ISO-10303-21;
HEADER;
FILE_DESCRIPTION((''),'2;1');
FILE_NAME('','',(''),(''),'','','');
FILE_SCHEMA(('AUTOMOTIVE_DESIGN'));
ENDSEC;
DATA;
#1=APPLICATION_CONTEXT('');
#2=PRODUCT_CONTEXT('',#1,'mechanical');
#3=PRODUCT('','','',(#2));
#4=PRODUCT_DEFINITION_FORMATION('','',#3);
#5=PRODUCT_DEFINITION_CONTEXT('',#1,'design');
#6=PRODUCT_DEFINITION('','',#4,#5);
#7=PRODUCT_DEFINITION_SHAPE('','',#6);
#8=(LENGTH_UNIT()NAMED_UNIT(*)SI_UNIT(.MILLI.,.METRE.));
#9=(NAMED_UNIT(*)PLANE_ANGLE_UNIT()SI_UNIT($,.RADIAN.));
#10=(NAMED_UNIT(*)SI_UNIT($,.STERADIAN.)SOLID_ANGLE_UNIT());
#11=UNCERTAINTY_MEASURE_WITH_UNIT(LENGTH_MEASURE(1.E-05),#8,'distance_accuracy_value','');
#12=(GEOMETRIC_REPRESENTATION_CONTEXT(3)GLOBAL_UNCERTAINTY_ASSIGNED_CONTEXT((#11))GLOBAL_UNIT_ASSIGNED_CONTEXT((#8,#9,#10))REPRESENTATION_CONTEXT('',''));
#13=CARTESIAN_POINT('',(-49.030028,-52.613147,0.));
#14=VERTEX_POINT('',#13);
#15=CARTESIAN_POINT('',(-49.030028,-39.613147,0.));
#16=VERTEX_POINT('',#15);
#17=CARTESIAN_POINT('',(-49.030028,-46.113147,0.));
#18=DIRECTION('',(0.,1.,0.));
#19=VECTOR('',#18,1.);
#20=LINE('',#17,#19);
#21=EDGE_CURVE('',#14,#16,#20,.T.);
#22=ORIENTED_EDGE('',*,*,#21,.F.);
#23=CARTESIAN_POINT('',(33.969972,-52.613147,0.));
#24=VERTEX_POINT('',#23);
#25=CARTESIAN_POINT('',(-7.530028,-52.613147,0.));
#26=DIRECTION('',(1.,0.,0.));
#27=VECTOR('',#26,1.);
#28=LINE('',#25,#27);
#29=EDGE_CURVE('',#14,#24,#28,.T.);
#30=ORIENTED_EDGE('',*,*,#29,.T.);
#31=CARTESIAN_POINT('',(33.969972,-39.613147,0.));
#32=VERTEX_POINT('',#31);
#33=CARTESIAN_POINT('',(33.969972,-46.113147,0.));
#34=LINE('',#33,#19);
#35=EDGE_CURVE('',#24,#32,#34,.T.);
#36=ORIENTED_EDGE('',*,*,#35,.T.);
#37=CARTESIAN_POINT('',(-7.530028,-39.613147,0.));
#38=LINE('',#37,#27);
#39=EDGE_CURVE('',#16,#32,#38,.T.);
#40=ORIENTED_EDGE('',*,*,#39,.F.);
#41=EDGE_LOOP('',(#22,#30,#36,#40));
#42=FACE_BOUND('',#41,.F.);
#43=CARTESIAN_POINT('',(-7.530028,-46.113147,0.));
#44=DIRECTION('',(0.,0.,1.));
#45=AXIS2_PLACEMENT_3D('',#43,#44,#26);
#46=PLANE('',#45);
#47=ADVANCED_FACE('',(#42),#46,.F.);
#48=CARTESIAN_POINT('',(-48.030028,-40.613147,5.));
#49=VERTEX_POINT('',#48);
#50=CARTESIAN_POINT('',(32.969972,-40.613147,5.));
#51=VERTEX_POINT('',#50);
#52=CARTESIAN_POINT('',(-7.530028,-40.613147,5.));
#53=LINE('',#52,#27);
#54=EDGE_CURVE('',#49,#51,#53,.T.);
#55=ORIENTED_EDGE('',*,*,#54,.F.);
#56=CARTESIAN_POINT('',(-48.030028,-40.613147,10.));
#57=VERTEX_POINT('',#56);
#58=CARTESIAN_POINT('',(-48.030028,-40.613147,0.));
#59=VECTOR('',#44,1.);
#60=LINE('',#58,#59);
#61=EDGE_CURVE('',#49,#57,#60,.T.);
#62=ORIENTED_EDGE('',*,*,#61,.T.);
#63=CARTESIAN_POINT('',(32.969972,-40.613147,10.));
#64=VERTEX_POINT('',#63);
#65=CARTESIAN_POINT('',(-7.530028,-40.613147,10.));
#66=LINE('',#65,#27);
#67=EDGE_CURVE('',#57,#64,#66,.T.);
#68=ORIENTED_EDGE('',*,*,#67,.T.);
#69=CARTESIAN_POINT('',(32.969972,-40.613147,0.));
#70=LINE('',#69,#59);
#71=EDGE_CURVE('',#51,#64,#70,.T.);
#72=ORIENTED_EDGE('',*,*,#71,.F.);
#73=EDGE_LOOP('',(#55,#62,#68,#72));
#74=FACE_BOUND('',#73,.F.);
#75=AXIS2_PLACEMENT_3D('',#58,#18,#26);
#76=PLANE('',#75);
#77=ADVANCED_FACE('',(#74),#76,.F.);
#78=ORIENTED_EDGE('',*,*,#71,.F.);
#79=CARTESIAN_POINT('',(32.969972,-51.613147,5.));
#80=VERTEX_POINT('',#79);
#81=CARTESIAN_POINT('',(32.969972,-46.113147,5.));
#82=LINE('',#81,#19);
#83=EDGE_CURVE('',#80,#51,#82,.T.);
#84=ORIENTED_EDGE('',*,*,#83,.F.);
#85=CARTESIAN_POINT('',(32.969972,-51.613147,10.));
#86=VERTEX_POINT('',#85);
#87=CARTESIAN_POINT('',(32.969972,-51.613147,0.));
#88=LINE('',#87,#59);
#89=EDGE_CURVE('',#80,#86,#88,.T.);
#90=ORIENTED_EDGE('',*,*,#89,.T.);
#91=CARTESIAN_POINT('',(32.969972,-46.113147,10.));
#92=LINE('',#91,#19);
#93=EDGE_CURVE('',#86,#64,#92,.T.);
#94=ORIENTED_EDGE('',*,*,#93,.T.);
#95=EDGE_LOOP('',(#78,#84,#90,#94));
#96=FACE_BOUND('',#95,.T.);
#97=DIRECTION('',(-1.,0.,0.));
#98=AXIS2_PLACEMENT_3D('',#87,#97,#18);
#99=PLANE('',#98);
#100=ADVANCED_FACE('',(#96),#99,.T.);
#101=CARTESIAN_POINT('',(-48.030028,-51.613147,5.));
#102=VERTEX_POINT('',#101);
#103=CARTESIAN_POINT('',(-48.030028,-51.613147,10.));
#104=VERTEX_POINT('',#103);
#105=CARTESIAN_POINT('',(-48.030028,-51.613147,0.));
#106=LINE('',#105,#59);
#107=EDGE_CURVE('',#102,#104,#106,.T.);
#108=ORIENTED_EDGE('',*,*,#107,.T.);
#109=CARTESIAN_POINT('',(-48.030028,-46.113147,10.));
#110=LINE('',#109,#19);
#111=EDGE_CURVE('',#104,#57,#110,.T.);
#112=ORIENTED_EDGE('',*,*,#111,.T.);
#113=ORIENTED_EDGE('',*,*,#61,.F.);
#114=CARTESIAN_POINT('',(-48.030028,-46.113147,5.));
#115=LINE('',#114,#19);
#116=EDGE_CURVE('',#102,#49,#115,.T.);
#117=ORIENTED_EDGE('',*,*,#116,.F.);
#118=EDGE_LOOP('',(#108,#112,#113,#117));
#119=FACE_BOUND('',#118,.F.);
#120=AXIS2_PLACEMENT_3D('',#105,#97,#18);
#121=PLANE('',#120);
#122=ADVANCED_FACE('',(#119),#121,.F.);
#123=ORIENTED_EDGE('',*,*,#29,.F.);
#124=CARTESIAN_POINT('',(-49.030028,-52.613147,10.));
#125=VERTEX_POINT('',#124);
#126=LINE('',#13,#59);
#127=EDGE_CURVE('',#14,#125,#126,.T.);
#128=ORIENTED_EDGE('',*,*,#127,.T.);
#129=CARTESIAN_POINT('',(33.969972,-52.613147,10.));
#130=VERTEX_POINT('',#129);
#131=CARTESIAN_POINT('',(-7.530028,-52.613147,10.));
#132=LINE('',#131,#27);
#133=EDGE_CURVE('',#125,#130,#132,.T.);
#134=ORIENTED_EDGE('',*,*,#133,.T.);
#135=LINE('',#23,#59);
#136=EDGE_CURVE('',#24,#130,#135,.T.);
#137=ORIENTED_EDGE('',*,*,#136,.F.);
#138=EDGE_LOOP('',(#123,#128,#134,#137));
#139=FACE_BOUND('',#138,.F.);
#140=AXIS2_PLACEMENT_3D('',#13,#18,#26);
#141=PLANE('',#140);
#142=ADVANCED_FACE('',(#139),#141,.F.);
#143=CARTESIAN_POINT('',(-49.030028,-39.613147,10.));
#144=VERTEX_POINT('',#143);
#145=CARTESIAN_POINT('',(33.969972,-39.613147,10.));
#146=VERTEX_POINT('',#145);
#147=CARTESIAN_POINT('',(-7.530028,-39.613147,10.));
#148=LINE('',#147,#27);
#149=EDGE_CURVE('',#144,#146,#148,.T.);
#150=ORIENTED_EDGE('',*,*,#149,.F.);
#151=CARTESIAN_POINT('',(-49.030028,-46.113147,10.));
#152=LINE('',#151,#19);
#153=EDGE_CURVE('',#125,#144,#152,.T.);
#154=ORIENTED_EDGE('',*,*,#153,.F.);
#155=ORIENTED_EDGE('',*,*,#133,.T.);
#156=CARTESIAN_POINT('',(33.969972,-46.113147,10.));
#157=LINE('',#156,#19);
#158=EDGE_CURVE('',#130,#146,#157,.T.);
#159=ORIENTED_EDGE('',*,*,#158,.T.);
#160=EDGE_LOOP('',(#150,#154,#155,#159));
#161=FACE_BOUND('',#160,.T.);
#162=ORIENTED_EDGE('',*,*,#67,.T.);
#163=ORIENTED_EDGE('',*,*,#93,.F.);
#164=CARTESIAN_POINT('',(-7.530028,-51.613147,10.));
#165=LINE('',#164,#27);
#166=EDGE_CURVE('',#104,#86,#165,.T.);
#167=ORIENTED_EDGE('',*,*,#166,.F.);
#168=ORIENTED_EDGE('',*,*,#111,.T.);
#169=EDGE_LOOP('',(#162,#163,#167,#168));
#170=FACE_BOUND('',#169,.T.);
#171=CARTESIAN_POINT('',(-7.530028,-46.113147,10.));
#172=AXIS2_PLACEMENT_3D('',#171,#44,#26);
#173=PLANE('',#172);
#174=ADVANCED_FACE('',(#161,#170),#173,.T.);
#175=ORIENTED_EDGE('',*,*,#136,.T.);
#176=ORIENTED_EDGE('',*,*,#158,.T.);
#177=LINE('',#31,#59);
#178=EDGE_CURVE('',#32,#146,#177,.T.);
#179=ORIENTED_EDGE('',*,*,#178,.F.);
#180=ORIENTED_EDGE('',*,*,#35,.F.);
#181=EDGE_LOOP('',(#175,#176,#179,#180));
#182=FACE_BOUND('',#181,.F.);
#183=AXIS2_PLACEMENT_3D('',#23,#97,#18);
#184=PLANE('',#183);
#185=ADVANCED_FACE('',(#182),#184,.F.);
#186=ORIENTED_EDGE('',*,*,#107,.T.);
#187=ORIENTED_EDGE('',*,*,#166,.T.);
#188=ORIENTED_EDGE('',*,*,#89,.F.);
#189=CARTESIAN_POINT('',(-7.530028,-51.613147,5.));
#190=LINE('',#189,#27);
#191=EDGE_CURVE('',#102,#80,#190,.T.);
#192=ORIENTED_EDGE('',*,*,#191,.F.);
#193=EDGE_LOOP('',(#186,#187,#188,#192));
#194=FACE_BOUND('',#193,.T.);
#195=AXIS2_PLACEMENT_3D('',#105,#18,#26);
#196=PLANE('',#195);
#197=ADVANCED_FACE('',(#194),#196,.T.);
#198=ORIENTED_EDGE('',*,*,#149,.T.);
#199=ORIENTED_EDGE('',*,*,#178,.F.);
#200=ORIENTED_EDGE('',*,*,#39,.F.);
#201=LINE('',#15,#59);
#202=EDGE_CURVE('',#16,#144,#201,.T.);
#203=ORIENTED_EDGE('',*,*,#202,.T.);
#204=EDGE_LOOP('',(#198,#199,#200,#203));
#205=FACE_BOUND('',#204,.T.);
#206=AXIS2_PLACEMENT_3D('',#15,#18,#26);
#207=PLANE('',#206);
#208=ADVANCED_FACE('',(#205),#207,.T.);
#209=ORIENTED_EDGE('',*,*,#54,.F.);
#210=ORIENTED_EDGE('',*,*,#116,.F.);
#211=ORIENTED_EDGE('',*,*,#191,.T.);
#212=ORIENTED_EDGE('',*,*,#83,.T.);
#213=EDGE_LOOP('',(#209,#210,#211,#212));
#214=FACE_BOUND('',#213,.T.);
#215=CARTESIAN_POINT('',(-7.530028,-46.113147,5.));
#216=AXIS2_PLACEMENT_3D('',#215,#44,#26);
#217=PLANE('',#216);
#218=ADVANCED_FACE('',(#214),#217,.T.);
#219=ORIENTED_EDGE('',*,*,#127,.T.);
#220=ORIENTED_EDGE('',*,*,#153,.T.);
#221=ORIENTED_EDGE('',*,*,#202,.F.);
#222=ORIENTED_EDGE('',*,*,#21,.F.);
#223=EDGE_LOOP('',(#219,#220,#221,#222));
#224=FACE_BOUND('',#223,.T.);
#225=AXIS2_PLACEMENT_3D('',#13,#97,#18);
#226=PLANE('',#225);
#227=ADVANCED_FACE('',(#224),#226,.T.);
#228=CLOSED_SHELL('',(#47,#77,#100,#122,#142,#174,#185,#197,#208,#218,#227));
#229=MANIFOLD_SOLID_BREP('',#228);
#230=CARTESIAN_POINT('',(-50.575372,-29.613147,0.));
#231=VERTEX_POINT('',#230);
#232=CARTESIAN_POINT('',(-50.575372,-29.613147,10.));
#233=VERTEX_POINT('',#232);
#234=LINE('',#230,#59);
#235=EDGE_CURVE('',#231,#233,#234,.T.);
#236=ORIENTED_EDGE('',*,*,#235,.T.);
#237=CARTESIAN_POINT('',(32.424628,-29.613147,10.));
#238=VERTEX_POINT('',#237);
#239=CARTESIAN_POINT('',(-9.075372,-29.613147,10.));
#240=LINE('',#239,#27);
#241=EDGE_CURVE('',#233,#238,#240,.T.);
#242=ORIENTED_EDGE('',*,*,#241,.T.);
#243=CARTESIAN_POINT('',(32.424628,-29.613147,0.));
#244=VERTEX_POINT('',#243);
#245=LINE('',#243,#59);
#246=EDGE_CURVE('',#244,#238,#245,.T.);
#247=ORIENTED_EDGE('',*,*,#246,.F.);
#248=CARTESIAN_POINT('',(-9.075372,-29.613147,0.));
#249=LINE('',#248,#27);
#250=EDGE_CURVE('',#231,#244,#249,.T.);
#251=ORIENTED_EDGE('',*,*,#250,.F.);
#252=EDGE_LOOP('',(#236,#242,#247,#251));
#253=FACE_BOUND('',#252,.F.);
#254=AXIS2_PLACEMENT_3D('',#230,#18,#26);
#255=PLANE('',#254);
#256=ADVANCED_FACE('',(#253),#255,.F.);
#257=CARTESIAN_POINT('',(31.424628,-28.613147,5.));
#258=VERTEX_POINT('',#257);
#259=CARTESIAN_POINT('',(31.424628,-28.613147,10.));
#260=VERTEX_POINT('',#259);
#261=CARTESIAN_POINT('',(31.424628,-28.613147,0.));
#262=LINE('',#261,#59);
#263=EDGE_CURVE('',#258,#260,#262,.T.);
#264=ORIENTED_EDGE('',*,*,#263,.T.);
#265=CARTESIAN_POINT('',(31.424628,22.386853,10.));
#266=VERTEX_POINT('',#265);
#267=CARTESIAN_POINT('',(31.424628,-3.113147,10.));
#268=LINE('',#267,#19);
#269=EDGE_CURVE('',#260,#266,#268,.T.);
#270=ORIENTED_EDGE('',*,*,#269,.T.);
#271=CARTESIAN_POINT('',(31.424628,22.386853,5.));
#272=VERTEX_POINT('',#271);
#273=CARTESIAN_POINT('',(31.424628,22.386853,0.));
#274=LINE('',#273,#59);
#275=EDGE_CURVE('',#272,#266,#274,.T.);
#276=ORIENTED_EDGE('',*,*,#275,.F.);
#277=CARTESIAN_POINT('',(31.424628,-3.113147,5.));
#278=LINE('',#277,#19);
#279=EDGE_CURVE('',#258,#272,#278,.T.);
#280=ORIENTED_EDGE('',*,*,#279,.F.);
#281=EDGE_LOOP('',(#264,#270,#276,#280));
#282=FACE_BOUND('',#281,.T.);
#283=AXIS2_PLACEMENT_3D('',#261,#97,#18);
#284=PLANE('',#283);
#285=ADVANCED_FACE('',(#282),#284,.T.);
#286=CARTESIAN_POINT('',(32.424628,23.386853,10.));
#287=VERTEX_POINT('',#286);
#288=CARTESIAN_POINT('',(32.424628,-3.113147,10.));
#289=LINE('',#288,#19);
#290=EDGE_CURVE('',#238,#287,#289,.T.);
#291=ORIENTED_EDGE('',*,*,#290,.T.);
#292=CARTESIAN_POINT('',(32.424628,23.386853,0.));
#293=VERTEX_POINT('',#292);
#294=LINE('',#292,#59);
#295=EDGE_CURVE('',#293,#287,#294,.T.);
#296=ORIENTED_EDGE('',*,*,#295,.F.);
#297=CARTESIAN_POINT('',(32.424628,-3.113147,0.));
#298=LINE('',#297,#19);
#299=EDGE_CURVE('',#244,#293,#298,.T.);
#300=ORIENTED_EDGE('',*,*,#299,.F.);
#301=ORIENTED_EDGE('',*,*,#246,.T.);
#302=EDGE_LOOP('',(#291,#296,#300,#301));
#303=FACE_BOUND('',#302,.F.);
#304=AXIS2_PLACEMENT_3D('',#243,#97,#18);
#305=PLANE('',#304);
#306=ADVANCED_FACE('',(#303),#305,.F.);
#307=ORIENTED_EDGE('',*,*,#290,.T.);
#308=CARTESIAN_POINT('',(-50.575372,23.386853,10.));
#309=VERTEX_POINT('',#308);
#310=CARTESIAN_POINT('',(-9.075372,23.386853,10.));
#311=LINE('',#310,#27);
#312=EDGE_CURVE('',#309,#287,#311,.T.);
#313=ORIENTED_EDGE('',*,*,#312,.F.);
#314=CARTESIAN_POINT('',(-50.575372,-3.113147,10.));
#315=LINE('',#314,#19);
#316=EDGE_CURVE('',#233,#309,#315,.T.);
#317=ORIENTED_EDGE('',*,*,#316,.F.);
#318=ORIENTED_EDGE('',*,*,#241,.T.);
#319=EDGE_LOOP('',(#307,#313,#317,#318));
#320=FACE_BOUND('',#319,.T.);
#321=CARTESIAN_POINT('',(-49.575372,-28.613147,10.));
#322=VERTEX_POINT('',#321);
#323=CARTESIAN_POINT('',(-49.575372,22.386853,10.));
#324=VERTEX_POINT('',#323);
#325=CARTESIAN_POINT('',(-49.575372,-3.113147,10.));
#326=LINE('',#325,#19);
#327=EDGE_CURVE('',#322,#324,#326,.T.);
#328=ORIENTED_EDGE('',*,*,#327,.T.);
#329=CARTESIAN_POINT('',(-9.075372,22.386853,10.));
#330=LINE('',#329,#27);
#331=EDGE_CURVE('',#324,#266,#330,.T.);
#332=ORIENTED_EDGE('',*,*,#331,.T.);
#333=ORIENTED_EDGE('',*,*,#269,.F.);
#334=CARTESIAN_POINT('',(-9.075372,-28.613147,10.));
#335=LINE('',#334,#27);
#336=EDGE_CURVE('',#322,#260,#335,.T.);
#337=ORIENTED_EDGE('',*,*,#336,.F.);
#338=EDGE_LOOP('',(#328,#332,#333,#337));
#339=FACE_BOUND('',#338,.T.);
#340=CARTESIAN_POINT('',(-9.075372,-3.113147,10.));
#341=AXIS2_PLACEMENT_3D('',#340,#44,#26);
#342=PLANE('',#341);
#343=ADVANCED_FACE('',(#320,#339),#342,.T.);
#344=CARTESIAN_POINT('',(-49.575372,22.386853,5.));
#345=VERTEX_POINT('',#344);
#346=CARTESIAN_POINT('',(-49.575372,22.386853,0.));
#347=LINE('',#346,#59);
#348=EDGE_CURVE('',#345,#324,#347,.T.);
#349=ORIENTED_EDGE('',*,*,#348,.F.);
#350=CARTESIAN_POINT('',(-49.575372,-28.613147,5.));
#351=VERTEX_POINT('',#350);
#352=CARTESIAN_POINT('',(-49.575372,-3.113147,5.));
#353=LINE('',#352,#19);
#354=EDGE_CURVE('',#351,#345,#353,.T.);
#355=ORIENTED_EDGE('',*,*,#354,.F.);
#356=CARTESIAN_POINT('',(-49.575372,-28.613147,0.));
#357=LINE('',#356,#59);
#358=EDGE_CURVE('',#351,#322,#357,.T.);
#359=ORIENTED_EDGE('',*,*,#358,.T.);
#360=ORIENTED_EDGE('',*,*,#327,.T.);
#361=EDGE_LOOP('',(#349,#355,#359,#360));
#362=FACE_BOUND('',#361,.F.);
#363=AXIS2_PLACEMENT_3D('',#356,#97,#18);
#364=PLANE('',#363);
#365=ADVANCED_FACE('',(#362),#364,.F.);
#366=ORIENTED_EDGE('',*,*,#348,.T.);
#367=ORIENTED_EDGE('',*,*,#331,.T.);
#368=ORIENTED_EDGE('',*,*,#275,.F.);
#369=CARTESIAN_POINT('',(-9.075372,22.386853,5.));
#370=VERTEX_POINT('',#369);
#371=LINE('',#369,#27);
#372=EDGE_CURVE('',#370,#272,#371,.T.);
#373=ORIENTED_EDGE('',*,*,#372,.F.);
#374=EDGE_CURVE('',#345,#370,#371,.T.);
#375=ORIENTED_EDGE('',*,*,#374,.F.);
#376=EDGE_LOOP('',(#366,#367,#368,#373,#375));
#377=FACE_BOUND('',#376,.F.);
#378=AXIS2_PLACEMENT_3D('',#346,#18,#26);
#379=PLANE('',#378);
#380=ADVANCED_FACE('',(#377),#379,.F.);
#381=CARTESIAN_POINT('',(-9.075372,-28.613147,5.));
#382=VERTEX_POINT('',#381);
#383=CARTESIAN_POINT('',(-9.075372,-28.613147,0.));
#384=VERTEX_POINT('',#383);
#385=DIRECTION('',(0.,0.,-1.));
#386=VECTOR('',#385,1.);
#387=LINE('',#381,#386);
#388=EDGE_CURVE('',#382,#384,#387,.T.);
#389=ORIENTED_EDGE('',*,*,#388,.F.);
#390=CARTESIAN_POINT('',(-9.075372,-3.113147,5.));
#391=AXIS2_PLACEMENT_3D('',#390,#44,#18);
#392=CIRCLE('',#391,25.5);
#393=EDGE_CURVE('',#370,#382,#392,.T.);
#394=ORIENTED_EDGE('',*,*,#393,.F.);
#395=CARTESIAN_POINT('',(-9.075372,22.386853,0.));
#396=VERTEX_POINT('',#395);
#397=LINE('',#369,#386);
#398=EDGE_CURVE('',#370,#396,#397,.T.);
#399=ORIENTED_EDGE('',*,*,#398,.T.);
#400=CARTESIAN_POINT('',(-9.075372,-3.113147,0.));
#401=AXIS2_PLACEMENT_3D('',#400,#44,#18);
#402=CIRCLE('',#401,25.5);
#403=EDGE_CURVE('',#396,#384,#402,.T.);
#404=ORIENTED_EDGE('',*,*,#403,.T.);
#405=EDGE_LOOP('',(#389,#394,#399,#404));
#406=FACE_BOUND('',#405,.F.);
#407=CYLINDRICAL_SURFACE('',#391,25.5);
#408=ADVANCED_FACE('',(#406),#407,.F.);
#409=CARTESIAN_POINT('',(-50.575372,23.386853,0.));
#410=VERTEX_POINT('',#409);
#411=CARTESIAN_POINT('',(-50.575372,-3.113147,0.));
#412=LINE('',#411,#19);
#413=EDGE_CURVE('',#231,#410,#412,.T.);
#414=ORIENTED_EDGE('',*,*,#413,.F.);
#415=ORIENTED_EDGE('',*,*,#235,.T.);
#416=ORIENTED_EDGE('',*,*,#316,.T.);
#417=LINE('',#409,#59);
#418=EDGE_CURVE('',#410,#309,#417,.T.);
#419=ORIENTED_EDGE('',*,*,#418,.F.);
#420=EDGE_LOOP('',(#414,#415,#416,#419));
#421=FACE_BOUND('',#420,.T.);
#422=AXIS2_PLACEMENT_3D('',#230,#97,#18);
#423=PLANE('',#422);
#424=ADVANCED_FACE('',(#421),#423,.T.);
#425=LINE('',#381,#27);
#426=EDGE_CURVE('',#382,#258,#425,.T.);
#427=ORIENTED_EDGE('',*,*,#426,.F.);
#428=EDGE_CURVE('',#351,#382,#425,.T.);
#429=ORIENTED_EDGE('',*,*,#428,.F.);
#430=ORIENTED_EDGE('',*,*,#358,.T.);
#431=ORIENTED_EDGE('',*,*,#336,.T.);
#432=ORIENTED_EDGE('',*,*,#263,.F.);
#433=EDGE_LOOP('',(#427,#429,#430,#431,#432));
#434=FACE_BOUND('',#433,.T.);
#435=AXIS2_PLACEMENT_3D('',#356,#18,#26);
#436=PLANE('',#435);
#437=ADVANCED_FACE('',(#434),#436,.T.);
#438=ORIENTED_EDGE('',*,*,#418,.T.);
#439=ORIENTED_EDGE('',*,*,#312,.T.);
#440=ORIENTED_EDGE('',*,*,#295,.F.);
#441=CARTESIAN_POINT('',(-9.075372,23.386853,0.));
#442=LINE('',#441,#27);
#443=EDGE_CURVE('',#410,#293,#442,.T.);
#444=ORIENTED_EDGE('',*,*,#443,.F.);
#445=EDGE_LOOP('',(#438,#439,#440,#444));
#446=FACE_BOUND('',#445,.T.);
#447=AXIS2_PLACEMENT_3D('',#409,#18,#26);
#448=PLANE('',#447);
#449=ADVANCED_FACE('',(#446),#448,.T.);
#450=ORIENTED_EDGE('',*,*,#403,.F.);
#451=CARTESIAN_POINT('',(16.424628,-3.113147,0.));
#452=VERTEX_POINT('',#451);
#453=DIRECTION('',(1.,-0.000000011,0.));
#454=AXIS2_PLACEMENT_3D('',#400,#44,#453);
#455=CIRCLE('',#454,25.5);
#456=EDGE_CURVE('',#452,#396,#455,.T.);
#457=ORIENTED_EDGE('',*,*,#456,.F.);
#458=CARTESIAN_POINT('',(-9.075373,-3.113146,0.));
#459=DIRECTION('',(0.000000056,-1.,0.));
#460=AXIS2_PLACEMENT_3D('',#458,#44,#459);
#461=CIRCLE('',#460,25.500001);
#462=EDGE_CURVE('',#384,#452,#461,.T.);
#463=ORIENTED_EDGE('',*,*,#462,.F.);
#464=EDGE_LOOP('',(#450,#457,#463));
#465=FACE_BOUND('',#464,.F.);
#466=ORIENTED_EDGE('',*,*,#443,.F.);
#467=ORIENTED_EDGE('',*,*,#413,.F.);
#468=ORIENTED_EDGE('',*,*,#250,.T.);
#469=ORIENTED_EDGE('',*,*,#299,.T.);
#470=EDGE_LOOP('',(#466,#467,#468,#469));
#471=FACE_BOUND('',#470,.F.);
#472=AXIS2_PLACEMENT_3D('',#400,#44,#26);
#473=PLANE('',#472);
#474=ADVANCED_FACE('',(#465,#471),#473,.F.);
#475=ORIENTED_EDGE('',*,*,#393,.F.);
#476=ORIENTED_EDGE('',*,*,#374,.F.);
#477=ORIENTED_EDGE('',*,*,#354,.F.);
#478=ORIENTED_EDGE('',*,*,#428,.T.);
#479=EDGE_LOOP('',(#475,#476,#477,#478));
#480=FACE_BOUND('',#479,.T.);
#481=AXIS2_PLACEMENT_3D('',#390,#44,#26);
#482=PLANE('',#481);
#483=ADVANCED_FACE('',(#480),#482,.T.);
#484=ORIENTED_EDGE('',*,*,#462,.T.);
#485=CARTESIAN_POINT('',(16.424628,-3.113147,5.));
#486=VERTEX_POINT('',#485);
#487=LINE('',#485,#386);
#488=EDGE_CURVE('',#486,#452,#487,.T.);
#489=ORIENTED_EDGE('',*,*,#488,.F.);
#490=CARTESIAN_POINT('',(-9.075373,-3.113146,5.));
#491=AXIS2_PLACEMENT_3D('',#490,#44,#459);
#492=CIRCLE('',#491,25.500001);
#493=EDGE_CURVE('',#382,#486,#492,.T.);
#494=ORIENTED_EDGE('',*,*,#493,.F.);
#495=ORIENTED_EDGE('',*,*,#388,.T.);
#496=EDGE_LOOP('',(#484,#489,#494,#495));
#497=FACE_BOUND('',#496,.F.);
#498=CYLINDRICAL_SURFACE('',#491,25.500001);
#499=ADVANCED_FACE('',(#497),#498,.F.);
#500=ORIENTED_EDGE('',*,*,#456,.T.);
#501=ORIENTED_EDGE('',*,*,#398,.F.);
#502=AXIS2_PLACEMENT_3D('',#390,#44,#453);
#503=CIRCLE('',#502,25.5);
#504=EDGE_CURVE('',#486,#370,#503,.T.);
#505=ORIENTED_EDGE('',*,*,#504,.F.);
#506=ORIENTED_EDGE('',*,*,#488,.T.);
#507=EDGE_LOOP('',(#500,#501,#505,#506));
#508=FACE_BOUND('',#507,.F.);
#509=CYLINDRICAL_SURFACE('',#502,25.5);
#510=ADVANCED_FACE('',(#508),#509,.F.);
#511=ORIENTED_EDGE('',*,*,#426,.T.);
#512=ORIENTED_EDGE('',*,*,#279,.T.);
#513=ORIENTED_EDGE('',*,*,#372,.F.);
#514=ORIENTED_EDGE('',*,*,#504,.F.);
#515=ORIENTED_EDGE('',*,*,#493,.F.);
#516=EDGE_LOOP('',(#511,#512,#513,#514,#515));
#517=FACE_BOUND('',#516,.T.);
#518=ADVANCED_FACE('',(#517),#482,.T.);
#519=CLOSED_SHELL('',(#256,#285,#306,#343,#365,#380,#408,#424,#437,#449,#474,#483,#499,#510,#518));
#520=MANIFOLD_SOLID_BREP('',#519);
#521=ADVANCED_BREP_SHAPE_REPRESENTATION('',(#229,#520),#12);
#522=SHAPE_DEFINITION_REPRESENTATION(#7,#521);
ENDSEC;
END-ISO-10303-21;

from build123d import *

# Parameters (mm, degrees)
F0_W     = 83
F0_H     = 53
F0_W_2   = 81
F0_H_2   = 51
F1_DEPTH = 10
F2_DEPTH = 5
F3_W     = 81
F3_H     = 11
F4_DEPTH = 5
F3_W_2   = 83
F3_H_2   = 13
F5_DEPTH = 10
F7_DEPTH = 25


with BuildPart() as f1:
    # F0 (on Top) → F1 (new body)
    with BuildSketch(Plane.XY):
        with Locations((-9.075372, -3.113147)):
            Rectangle(F0_W, F0_H)
        with Locations((-9.075372, -3.113147)):
            Rectangle(F0_W_2, F0_H_2, mode=Mode.SUBTRACT)
    extrude(amount=F1_DEPTH)

    # F0 (on Top) → F2 (join)
    with BuildSketch(Plane.XY):
        with Locations((-9.075372, -3.113147)):
            Rectangle(F0_W_2, F0_H_2)
    extrude(amount=F2_DEPTH)

    # F6 (on face) → F7 (cut)
    with BuildSketch(Plane.XY.offset(5)):
        with BuildLine():
            ThreePointArc((-9.075372, -28.613147), (8.955851, -21.144369), (16.424628, -3.113147))
            ThreePointArc((16.424628, -3.113147), (8.955851, 14.918076), (-9.075372, 22.386853))
            ThreePointArc((-9.075372, 22.386853), (-34.575372, -3.113147), (-9.075372, -28.613147))
        make_face()
    extrude(amount=-F7_DEPTH, mode=Mode.SUBTRACT)


with BuildPart() as f4:
    # F3 (on Top) → F4 (new body)
    with BuildSketch(Plane.XY):
        with Locations((-7.530028, -46.113147)):
            Rectangle(F3_W, F3_H)
    extrude(amount=F4_DEPTH)

    # F3 (on Top) → F5 (join)
    with BuildSketch(Plane.XY):
        with Locations((-7.530028, -46.113147)):
            Rectangle(F3_W_2, F3_H_2)
        with Locations((-7.530028, -46.113147)):
            Rectangle(F3_W, F3_H, mode=Mode.SUBTRACT)
    extrude(amount=F5_DEPTH)


solid = Compound([f1.part, f4.part])
